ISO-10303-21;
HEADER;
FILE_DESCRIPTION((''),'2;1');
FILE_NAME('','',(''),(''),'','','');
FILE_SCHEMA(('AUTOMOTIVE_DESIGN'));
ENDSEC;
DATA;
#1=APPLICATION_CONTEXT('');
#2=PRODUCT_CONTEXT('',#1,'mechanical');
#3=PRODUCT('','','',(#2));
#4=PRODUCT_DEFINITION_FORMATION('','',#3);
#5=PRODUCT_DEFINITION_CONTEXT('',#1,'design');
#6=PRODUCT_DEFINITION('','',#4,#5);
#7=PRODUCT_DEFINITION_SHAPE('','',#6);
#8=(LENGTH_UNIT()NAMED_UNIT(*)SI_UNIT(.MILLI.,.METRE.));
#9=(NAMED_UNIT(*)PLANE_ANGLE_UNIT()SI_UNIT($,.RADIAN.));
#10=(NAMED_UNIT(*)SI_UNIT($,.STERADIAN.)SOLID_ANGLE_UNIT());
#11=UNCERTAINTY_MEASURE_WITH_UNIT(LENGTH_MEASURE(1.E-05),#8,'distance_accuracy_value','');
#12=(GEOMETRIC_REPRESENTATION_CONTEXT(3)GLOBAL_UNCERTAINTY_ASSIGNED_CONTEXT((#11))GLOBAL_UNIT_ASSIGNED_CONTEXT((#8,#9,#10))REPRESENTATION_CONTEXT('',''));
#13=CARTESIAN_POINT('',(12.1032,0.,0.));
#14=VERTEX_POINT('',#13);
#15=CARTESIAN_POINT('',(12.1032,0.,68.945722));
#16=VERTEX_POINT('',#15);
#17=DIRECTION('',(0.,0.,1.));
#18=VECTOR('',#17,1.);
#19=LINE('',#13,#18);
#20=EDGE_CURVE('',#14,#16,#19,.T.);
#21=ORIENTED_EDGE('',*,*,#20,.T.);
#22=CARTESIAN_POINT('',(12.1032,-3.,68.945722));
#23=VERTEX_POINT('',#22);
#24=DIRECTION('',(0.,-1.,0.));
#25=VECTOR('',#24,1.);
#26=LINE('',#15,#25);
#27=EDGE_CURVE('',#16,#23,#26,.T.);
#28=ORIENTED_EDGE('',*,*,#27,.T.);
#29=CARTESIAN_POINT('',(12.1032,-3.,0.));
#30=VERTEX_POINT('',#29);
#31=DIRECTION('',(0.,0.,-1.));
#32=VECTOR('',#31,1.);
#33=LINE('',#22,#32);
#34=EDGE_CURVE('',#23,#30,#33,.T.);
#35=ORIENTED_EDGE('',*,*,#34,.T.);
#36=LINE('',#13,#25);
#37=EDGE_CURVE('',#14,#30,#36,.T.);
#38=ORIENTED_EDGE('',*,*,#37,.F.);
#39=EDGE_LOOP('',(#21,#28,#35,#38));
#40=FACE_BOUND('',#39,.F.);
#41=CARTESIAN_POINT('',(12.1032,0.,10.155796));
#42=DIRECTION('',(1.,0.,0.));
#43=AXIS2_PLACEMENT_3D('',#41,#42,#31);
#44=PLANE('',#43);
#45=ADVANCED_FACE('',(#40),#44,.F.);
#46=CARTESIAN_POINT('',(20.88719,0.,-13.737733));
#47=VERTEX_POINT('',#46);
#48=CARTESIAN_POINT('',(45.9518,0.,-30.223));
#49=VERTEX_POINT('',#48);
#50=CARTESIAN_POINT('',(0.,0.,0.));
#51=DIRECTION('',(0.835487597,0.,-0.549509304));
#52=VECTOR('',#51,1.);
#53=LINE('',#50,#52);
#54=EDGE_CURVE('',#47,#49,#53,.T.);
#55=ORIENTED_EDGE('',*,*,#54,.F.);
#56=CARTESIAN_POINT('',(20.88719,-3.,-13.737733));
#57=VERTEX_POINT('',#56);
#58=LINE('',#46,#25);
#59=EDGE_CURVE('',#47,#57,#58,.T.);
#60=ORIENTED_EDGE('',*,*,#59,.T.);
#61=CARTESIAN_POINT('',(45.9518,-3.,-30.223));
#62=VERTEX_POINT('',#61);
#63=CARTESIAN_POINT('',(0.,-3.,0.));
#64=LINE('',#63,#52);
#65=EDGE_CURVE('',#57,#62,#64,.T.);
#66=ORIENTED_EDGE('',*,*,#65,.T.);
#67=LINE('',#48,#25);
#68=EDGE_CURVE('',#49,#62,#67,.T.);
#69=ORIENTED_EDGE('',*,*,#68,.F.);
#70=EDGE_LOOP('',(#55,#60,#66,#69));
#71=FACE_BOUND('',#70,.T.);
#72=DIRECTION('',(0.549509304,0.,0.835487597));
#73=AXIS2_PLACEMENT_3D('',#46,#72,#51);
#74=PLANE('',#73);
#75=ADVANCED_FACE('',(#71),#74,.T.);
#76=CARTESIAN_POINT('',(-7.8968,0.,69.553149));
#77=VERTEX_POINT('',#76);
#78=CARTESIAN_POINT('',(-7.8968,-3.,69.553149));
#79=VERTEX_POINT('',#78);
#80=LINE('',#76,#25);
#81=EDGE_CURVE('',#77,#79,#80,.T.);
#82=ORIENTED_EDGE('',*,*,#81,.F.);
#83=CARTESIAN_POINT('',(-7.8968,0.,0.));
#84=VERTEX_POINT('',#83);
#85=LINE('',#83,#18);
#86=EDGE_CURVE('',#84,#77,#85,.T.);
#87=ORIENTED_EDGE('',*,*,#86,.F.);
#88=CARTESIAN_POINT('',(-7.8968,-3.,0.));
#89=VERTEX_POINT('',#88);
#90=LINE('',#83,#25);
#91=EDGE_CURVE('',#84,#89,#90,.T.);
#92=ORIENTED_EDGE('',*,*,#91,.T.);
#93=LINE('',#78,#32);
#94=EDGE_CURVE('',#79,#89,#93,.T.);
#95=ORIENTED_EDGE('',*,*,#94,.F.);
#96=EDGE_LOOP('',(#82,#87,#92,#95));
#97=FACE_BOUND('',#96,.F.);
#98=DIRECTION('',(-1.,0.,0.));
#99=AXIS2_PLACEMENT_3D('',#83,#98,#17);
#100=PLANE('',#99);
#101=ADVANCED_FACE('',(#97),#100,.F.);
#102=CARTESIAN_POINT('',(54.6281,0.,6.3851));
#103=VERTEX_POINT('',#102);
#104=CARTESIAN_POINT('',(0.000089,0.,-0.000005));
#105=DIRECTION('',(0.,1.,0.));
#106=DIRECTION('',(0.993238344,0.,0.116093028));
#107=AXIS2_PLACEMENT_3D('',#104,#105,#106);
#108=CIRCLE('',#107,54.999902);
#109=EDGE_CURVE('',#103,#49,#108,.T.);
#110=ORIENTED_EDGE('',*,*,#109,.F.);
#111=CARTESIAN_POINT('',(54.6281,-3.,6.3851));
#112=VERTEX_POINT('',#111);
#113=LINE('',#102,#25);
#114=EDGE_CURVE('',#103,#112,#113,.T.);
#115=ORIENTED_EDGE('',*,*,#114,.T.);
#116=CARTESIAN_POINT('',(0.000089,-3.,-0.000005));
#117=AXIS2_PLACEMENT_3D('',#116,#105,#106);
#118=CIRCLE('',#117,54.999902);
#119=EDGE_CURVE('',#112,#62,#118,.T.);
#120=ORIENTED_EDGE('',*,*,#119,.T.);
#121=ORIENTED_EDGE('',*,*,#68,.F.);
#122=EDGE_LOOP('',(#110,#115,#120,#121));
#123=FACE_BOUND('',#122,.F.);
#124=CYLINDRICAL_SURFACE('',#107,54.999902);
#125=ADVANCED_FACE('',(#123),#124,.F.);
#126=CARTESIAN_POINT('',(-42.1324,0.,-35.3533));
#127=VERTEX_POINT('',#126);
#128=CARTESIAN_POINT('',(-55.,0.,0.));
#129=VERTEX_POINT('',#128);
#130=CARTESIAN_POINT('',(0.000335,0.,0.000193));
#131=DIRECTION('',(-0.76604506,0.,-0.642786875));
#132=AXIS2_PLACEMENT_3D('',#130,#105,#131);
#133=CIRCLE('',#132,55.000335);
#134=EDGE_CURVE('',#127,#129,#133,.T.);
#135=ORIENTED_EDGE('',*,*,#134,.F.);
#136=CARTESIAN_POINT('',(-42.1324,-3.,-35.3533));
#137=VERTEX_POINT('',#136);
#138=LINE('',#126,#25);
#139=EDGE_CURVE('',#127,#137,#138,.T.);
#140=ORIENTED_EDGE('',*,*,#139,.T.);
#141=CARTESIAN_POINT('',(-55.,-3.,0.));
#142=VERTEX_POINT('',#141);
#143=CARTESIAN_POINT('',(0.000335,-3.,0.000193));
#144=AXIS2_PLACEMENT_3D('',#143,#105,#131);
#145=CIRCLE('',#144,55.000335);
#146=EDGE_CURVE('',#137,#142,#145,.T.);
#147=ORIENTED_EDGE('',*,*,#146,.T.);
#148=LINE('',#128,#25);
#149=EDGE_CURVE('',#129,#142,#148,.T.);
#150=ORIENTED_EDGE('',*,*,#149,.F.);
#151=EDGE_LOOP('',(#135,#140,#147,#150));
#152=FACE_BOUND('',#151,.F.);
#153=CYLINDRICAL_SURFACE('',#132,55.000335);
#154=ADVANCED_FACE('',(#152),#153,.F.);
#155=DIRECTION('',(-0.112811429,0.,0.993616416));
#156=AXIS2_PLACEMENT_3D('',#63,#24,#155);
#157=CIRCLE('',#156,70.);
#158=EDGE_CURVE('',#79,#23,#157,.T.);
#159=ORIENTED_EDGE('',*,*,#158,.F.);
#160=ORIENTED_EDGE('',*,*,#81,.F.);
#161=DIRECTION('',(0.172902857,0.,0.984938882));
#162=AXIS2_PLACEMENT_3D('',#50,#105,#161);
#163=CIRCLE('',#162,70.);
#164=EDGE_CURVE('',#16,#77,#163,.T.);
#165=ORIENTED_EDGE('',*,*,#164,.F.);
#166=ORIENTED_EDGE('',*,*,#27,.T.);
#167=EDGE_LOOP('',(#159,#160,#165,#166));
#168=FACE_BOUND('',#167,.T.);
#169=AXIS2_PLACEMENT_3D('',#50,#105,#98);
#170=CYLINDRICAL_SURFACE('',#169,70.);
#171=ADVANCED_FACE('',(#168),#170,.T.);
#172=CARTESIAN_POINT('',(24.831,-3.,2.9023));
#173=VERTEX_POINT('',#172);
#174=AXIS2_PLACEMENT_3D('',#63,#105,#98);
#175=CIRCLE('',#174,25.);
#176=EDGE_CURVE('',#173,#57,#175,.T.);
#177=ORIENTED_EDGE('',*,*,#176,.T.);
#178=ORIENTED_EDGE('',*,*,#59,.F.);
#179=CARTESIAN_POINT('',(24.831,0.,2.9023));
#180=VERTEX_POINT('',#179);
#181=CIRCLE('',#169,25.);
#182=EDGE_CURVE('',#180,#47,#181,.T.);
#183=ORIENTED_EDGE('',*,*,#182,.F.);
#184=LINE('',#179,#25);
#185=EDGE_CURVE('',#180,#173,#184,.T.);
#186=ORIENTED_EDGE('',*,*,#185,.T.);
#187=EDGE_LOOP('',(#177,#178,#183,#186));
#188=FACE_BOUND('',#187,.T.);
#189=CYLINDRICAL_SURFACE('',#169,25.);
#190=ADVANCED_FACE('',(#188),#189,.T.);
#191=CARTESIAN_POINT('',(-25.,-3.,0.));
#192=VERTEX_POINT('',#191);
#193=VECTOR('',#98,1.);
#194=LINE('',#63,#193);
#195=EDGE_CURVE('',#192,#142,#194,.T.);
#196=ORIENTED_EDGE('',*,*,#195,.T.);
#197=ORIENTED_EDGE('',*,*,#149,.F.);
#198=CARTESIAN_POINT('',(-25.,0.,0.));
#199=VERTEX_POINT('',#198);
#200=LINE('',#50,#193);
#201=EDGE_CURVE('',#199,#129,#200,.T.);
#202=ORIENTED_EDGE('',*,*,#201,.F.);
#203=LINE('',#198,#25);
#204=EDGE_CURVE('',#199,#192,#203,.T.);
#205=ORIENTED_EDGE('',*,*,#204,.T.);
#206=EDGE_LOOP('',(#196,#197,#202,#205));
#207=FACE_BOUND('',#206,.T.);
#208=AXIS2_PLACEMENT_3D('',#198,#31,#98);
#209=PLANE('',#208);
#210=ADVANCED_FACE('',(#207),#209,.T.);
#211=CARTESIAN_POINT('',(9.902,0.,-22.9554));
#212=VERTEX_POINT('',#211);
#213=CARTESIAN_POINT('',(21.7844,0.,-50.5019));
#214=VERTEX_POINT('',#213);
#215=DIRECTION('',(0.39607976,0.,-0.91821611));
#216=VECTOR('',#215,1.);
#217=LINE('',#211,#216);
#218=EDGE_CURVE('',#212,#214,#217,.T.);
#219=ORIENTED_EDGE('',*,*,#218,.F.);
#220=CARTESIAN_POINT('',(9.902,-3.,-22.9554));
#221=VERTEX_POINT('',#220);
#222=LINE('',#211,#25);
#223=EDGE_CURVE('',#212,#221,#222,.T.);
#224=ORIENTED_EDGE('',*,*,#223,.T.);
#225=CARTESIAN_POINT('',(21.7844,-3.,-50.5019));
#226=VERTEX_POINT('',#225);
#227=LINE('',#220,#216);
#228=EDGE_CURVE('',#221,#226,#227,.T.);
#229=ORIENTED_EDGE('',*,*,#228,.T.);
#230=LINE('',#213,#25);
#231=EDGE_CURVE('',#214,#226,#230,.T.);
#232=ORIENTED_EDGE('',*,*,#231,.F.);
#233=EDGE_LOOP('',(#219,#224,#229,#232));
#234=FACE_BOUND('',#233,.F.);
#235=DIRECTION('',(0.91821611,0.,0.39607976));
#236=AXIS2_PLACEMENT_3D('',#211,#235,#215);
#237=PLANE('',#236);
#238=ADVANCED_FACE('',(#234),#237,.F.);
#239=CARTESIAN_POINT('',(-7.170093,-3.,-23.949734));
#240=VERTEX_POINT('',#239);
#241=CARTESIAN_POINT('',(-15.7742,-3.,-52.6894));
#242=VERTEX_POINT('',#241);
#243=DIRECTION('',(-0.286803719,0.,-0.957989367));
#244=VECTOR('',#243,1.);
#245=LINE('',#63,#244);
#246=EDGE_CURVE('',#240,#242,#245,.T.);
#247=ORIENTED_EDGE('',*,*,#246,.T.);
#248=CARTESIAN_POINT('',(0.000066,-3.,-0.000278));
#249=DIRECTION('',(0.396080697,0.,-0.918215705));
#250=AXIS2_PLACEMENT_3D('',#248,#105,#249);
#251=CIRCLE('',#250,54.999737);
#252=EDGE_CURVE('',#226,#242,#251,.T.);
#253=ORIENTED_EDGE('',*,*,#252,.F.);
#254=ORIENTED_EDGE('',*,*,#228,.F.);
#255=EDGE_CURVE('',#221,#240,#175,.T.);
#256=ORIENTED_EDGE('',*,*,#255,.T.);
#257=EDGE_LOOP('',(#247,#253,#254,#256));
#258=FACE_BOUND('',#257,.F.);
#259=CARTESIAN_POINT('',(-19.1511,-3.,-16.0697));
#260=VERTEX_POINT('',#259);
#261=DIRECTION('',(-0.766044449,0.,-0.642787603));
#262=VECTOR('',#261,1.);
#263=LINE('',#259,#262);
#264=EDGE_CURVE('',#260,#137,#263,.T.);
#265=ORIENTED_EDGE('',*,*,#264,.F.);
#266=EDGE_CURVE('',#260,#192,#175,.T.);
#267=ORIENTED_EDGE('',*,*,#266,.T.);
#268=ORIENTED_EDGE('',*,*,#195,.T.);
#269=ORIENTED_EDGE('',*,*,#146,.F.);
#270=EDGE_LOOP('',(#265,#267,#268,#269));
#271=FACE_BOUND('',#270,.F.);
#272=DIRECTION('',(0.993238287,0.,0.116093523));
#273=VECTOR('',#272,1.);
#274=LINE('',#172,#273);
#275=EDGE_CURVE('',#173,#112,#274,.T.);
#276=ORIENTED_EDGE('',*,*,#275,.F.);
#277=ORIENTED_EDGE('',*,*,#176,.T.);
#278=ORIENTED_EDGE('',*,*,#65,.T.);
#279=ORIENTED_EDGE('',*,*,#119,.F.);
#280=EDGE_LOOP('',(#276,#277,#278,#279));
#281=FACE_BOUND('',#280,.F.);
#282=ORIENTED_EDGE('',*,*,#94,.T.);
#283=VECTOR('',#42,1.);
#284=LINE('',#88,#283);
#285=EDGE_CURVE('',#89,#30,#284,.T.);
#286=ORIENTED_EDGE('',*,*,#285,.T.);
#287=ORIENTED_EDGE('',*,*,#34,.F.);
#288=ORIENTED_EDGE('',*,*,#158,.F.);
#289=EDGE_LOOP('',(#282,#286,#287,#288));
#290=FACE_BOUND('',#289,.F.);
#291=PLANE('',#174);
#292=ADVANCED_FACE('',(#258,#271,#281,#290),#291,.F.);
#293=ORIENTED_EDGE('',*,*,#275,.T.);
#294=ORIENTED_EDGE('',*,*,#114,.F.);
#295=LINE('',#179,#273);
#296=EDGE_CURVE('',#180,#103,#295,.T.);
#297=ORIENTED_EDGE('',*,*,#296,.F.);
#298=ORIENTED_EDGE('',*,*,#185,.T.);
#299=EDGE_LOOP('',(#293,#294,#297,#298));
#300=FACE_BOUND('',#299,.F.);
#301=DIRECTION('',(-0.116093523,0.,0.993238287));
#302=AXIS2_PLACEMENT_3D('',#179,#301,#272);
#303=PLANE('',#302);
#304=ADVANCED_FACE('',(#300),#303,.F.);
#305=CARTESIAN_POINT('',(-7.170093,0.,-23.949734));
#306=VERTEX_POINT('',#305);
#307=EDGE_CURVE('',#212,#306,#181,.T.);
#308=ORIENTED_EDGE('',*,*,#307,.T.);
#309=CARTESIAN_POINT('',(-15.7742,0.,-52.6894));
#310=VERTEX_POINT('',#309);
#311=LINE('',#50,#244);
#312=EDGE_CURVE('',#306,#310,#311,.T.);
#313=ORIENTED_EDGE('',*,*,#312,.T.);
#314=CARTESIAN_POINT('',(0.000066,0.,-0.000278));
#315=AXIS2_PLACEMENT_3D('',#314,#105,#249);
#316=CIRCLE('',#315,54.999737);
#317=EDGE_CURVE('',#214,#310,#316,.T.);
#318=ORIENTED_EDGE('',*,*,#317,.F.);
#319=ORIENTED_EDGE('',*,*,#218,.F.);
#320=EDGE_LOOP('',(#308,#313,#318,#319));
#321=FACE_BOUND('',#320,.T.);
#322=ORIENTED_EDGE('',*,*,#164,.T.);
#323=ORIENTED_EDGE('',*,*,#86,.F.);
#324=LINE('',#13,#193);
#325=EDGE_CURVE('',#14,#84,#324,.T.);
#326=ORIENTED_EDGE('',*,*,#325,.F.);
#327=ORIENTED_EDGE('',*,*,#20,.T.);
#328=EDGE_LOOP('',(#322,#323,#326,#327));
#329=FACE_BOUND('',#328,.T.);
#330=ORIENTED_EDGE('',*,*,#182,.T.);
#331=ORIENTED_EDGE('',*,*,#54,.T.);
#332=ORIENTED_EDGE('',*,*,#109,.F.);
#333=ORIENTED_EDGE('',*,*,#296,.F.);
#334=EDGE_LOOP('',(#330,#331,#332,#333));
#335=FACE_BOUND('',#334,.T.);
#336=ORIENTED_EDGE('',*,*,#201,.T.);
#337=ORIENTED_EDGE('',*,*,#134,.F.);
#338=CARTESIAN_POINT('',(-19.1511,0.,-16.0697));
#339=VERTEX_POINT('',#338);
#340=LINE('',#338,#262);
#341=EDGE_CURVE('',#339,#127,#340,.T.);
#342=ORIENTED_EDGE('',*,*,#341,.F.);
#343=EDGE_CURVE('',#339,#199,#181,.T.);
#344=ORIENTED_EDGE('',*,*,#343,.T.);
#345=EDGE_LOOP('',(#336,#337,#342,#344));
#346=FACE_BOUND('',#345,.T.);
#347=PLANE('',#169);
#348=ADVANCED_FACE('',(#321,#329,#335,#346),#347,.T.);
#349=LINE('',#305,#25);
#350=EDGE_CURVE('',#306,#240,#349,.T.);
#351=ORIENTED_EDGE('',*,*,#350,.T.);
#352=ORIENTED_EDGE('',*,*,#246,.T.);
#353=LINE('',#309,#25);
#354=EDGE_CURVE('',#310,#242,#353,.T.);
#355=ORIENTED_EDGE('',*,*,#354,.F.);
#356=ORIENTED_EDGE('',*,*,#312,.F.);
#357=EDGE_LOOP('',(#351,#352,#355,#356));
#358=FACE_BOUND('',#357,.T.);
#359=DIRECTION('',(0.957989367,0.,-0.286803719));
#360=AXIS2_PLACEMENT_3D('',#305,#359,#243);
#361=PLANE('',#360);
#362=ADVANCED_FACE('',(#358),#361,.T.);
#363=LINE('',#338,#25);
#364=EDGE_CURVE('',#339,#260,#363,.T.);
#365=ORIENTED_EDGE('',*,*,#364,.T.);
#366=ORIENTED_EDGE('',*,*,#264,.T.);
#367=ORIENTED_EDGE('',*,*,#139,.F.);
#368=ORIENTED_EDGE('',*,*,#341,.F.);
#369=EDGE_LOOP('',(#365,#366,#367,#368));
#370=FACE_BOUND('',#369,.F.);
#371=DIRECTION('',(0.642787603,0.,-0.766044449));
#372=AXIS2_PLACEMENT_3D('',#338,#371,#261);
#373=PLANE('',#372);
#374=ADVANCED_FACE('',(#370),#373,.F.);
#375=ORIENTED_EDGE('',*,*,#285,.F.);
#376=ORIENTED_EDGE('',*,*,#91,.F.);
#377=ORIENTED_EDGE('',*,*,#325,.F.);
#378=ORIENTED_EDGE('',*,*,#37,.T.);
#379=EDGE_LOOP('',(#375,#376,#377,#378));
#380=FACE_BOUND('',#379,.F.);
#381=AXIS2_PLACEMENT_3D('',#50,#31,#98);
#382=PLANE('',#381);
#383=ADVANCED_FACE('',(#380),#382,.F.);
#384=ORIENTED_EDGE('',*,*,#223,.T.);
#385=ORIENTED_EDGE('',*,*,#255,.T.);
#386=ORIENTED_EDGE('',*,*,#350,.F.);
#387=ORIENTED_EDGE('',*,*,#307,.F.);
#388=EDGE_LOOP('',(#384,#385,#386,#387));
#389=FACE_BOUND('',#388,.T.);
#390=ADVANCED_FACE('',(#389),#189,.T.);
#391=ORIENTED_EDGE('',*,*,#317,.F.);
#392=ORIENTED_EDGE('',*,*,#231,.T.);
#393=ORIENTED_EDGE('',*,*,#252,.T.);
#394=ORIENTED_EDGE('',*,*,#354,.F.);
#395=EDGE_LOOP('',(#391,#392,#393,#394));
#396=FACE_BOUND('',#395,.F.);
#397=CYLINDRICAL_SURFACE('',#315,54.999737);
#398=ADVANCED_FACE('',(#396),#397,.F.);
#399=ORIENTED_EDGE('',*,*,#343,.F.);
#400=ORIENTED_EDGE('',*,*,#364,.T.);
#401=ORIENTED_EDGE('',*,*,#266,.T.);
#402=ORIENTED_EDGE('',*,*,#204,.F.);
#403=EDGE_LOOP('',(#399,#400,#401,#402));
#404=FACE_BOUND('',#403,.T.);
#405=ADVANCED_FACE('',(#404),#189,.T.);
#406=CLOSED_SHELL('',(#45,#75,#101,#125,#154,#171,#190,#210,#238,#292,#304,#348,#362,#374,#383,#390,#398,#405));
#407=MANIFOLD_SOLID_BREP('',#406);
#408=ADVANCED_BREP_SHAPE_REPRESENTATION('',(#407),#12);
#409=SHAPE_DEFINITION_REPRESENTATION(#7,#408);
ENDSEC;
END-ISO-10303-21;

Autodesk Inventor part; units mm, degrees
ref_plane "YZ Plane" through (0, 0, 0) normal (1, 0, 0) x (0, 1, 0)
ref_plane "XZ Plane" through (0, 0, 0) normal (0, 1, 0) x (-1, 0, 0)
ref_plane "XY Plane" through (0, 0, 0) normal (0, 0, 1) x (1, 0, 0)
sketch "草圖3" plane through (0, 0, 0) normal (0, 1, 0) x (-1, 0, 0)
  circle A0 centre (0, 0) radius 25
  circle A1 centre (0, 0) radius 70
  line L0 (5, 5) -> (61, 5)
  line L1 (61, 5) -> (61, 32.4)
  line L2 (61, 32.4) -> (5, 32.4)
  line L3 (5, 32.4) -> (5, 5)
  line L4 (19, 33.9) -> (12, 33.9)
  line L5 (12, 33.9) -> (12, 30.9)
  line L6 (12, 30.9) -> (19, 30.9)
  line L7 (19, 30.9) -> (19, 33.9)
  line L8 (54, 33.9) -> (47, 33.9)
  line L9 (47, 33.9) -> (47, 30.9)
  line L10 (47, 30.9) -> (54, 30.9)
  line L11 (54, 30.9) -> (54, 33.9)
  line L12 (61, 18.7) -> (5, 18.7)
  line L13 (19, 3.5) -> (12, 3.5)
  line L14 (12, 3.5) -> (12, 6.5)
  line L15 (12, 6.5) -> (19, 6.5)
  line L16 (19, 6.5) -> (19, 3.5)
  line L17 (54, 3.5) -> (47, 3.5)
  line L18 (47, 3.5) -> (47, 6.5)
  line L19 (47, 6.5) -> (54, 6.5)
  line L20 (54, 6.5) -> (54, 3.5)
  line L21 (0, 0) -> (55, 0)
  line L22 (19.1511, -16.0697) -> (42.1324, -35.3533)
  arc A2 (42.1324, -35.3533) -> (55, 0) centre (0, 0) ccw
  line L23 (0, 0) -> (15.7742, -52.6894)
  arc A3 (-21.7844, -50.5019) -> (15.7742, -52.6894) centre (0, 0) ccw
  line L24 (-9.902, -22.9554) -> (-21.7844, -50.5019)
  line L25 (0, 0) -> (-45.9518, -30.223)
  arc A4 (-54.6281, 6.3851) -> (-45.9518, -30.223) centre (0, 0) ccw
  line L26 (-24.831, 2.9023) -> (-54.6281, 6.3851)
  line L27 (0, 0) -> (-42.1324, 35.3533)
  arc A5 (-9.5506, 54.1644) -> (-42.1324, 35.3533) centre (0, 0) ccw
  line L28 (-4.3412, 24.6202) -> (-9.5506, 54.1644)
  line L29 (17.5, 0) -> (-21.7065, 0)
  line L30 (7.8968, 70) -> (-12.1032, 70)
  line L31 (-12.1032, 70) -> (-12.1032, 0)
  line L32 (-12.1032, 0) -> (7.8968, 0)
  line L33 (7.8968, 0) -> (7.8968, 70)
  point P0 (25, 0)
  point P1 (12, 32.4)
  point P2 (47, 32.4)
  point P3 (12, 5)
  point P4 (47, 5)
  point P5 (0, -70)
  point P6 (-20.8872, -13.7377)
  point P7 (-19.1511, 16.0697)
  point P8 (-4.3412, 24.6202)
  point P9 (25, 0)
  point P10 (-2.1032, 0)
  point P11 (7.1701, -23.9497)
  point P12 (-9.902, -22.9554)
  point P13 (-12.1032, 21.8749)
  point P14 (-12.1032, 33.2534)
  point P15 (-12.1032, 68.9457)
  point P16 (7.8968, 69.5532)
  point P17 (7.8968, 23.7201)
  point P18 (-12.1032, 53.6518)
  point P19 (0, 70)
  point P20 (-12.1032, 10.1558)
  dimension "d19" = 140
  dimension "d30" = 56
  dimension "d31" = 27.4
  dimension "d32" = 5
  dimension "d34" = 3
  dimension "d35" = 7
  dimension "d36" = 3
  dimension "d37" = 7
  dimension "d38" = 7
  dimension "d39" = 7
  dimension "d48" = 50
  dimension "d54" = 36
  dimension "d55" = 55
  dimension "d56" = 40
  dimension "d57" = 0
  dimension "d60" = 220
  dimension "d62" = 20
  dimension "d63" = 70
  dimension "d64" = 53.1032
  dimension "d65" = 30.9
  dimension "d66" = 36
  dimension "d67" = 30.9
  dimension "d68" = 43.5
  dimension "d69" = 61
  dimension "d70" = 30.9
  dimension "d71" = 61
  dimension "d72" = 30.9
  dimension "d73" = 100.9
  dimension "d74" = 69.5505
  dimension "d75" = 7.4077
  dimension "d76" = 80.1511
  dimension "d77" = 46.9697
  dimension "d78" = 82.6506
  dimension "d79" = 18.4
  dimension "d80" = 86
  dimension "d81" = 30.9
extrude "擠出2" add sketch "草圖3" against normal blind 3 contours A0 L23 L21 | L22 A2 L21 A0 L0 L18 L17 L20 L1 L2 L11 L8 L9 L7 L4 L5 L33 A1 L31 A5 L27 L26 A4 L25 L24 A3 L23 | L21 L33 L0 L14 L13 L16 A0 | A0 L25 L23 | L0 L16 L15 L14 L33 L12 A0 | A0 L12 L1 L0 L20 L19 L18 | L25 A0 L27 L31 L29 | L12 L33 A0 | A0 L33 L2 L5 L6 L7 L9 L10 L11 L1 L12 | L16 L13 L14 L0 | L0 L14 L15 L16 | L18 L19 L20 L0 | L0 L20 L17 L18 | L27 A0 L31 | L27 A5 L31 A0 | L5 L4 L7 L2 | L2 L7 L6 L5 | L11 L10 L9 L2 | L2 L9 L8 L11
properties part number "轉盤"
